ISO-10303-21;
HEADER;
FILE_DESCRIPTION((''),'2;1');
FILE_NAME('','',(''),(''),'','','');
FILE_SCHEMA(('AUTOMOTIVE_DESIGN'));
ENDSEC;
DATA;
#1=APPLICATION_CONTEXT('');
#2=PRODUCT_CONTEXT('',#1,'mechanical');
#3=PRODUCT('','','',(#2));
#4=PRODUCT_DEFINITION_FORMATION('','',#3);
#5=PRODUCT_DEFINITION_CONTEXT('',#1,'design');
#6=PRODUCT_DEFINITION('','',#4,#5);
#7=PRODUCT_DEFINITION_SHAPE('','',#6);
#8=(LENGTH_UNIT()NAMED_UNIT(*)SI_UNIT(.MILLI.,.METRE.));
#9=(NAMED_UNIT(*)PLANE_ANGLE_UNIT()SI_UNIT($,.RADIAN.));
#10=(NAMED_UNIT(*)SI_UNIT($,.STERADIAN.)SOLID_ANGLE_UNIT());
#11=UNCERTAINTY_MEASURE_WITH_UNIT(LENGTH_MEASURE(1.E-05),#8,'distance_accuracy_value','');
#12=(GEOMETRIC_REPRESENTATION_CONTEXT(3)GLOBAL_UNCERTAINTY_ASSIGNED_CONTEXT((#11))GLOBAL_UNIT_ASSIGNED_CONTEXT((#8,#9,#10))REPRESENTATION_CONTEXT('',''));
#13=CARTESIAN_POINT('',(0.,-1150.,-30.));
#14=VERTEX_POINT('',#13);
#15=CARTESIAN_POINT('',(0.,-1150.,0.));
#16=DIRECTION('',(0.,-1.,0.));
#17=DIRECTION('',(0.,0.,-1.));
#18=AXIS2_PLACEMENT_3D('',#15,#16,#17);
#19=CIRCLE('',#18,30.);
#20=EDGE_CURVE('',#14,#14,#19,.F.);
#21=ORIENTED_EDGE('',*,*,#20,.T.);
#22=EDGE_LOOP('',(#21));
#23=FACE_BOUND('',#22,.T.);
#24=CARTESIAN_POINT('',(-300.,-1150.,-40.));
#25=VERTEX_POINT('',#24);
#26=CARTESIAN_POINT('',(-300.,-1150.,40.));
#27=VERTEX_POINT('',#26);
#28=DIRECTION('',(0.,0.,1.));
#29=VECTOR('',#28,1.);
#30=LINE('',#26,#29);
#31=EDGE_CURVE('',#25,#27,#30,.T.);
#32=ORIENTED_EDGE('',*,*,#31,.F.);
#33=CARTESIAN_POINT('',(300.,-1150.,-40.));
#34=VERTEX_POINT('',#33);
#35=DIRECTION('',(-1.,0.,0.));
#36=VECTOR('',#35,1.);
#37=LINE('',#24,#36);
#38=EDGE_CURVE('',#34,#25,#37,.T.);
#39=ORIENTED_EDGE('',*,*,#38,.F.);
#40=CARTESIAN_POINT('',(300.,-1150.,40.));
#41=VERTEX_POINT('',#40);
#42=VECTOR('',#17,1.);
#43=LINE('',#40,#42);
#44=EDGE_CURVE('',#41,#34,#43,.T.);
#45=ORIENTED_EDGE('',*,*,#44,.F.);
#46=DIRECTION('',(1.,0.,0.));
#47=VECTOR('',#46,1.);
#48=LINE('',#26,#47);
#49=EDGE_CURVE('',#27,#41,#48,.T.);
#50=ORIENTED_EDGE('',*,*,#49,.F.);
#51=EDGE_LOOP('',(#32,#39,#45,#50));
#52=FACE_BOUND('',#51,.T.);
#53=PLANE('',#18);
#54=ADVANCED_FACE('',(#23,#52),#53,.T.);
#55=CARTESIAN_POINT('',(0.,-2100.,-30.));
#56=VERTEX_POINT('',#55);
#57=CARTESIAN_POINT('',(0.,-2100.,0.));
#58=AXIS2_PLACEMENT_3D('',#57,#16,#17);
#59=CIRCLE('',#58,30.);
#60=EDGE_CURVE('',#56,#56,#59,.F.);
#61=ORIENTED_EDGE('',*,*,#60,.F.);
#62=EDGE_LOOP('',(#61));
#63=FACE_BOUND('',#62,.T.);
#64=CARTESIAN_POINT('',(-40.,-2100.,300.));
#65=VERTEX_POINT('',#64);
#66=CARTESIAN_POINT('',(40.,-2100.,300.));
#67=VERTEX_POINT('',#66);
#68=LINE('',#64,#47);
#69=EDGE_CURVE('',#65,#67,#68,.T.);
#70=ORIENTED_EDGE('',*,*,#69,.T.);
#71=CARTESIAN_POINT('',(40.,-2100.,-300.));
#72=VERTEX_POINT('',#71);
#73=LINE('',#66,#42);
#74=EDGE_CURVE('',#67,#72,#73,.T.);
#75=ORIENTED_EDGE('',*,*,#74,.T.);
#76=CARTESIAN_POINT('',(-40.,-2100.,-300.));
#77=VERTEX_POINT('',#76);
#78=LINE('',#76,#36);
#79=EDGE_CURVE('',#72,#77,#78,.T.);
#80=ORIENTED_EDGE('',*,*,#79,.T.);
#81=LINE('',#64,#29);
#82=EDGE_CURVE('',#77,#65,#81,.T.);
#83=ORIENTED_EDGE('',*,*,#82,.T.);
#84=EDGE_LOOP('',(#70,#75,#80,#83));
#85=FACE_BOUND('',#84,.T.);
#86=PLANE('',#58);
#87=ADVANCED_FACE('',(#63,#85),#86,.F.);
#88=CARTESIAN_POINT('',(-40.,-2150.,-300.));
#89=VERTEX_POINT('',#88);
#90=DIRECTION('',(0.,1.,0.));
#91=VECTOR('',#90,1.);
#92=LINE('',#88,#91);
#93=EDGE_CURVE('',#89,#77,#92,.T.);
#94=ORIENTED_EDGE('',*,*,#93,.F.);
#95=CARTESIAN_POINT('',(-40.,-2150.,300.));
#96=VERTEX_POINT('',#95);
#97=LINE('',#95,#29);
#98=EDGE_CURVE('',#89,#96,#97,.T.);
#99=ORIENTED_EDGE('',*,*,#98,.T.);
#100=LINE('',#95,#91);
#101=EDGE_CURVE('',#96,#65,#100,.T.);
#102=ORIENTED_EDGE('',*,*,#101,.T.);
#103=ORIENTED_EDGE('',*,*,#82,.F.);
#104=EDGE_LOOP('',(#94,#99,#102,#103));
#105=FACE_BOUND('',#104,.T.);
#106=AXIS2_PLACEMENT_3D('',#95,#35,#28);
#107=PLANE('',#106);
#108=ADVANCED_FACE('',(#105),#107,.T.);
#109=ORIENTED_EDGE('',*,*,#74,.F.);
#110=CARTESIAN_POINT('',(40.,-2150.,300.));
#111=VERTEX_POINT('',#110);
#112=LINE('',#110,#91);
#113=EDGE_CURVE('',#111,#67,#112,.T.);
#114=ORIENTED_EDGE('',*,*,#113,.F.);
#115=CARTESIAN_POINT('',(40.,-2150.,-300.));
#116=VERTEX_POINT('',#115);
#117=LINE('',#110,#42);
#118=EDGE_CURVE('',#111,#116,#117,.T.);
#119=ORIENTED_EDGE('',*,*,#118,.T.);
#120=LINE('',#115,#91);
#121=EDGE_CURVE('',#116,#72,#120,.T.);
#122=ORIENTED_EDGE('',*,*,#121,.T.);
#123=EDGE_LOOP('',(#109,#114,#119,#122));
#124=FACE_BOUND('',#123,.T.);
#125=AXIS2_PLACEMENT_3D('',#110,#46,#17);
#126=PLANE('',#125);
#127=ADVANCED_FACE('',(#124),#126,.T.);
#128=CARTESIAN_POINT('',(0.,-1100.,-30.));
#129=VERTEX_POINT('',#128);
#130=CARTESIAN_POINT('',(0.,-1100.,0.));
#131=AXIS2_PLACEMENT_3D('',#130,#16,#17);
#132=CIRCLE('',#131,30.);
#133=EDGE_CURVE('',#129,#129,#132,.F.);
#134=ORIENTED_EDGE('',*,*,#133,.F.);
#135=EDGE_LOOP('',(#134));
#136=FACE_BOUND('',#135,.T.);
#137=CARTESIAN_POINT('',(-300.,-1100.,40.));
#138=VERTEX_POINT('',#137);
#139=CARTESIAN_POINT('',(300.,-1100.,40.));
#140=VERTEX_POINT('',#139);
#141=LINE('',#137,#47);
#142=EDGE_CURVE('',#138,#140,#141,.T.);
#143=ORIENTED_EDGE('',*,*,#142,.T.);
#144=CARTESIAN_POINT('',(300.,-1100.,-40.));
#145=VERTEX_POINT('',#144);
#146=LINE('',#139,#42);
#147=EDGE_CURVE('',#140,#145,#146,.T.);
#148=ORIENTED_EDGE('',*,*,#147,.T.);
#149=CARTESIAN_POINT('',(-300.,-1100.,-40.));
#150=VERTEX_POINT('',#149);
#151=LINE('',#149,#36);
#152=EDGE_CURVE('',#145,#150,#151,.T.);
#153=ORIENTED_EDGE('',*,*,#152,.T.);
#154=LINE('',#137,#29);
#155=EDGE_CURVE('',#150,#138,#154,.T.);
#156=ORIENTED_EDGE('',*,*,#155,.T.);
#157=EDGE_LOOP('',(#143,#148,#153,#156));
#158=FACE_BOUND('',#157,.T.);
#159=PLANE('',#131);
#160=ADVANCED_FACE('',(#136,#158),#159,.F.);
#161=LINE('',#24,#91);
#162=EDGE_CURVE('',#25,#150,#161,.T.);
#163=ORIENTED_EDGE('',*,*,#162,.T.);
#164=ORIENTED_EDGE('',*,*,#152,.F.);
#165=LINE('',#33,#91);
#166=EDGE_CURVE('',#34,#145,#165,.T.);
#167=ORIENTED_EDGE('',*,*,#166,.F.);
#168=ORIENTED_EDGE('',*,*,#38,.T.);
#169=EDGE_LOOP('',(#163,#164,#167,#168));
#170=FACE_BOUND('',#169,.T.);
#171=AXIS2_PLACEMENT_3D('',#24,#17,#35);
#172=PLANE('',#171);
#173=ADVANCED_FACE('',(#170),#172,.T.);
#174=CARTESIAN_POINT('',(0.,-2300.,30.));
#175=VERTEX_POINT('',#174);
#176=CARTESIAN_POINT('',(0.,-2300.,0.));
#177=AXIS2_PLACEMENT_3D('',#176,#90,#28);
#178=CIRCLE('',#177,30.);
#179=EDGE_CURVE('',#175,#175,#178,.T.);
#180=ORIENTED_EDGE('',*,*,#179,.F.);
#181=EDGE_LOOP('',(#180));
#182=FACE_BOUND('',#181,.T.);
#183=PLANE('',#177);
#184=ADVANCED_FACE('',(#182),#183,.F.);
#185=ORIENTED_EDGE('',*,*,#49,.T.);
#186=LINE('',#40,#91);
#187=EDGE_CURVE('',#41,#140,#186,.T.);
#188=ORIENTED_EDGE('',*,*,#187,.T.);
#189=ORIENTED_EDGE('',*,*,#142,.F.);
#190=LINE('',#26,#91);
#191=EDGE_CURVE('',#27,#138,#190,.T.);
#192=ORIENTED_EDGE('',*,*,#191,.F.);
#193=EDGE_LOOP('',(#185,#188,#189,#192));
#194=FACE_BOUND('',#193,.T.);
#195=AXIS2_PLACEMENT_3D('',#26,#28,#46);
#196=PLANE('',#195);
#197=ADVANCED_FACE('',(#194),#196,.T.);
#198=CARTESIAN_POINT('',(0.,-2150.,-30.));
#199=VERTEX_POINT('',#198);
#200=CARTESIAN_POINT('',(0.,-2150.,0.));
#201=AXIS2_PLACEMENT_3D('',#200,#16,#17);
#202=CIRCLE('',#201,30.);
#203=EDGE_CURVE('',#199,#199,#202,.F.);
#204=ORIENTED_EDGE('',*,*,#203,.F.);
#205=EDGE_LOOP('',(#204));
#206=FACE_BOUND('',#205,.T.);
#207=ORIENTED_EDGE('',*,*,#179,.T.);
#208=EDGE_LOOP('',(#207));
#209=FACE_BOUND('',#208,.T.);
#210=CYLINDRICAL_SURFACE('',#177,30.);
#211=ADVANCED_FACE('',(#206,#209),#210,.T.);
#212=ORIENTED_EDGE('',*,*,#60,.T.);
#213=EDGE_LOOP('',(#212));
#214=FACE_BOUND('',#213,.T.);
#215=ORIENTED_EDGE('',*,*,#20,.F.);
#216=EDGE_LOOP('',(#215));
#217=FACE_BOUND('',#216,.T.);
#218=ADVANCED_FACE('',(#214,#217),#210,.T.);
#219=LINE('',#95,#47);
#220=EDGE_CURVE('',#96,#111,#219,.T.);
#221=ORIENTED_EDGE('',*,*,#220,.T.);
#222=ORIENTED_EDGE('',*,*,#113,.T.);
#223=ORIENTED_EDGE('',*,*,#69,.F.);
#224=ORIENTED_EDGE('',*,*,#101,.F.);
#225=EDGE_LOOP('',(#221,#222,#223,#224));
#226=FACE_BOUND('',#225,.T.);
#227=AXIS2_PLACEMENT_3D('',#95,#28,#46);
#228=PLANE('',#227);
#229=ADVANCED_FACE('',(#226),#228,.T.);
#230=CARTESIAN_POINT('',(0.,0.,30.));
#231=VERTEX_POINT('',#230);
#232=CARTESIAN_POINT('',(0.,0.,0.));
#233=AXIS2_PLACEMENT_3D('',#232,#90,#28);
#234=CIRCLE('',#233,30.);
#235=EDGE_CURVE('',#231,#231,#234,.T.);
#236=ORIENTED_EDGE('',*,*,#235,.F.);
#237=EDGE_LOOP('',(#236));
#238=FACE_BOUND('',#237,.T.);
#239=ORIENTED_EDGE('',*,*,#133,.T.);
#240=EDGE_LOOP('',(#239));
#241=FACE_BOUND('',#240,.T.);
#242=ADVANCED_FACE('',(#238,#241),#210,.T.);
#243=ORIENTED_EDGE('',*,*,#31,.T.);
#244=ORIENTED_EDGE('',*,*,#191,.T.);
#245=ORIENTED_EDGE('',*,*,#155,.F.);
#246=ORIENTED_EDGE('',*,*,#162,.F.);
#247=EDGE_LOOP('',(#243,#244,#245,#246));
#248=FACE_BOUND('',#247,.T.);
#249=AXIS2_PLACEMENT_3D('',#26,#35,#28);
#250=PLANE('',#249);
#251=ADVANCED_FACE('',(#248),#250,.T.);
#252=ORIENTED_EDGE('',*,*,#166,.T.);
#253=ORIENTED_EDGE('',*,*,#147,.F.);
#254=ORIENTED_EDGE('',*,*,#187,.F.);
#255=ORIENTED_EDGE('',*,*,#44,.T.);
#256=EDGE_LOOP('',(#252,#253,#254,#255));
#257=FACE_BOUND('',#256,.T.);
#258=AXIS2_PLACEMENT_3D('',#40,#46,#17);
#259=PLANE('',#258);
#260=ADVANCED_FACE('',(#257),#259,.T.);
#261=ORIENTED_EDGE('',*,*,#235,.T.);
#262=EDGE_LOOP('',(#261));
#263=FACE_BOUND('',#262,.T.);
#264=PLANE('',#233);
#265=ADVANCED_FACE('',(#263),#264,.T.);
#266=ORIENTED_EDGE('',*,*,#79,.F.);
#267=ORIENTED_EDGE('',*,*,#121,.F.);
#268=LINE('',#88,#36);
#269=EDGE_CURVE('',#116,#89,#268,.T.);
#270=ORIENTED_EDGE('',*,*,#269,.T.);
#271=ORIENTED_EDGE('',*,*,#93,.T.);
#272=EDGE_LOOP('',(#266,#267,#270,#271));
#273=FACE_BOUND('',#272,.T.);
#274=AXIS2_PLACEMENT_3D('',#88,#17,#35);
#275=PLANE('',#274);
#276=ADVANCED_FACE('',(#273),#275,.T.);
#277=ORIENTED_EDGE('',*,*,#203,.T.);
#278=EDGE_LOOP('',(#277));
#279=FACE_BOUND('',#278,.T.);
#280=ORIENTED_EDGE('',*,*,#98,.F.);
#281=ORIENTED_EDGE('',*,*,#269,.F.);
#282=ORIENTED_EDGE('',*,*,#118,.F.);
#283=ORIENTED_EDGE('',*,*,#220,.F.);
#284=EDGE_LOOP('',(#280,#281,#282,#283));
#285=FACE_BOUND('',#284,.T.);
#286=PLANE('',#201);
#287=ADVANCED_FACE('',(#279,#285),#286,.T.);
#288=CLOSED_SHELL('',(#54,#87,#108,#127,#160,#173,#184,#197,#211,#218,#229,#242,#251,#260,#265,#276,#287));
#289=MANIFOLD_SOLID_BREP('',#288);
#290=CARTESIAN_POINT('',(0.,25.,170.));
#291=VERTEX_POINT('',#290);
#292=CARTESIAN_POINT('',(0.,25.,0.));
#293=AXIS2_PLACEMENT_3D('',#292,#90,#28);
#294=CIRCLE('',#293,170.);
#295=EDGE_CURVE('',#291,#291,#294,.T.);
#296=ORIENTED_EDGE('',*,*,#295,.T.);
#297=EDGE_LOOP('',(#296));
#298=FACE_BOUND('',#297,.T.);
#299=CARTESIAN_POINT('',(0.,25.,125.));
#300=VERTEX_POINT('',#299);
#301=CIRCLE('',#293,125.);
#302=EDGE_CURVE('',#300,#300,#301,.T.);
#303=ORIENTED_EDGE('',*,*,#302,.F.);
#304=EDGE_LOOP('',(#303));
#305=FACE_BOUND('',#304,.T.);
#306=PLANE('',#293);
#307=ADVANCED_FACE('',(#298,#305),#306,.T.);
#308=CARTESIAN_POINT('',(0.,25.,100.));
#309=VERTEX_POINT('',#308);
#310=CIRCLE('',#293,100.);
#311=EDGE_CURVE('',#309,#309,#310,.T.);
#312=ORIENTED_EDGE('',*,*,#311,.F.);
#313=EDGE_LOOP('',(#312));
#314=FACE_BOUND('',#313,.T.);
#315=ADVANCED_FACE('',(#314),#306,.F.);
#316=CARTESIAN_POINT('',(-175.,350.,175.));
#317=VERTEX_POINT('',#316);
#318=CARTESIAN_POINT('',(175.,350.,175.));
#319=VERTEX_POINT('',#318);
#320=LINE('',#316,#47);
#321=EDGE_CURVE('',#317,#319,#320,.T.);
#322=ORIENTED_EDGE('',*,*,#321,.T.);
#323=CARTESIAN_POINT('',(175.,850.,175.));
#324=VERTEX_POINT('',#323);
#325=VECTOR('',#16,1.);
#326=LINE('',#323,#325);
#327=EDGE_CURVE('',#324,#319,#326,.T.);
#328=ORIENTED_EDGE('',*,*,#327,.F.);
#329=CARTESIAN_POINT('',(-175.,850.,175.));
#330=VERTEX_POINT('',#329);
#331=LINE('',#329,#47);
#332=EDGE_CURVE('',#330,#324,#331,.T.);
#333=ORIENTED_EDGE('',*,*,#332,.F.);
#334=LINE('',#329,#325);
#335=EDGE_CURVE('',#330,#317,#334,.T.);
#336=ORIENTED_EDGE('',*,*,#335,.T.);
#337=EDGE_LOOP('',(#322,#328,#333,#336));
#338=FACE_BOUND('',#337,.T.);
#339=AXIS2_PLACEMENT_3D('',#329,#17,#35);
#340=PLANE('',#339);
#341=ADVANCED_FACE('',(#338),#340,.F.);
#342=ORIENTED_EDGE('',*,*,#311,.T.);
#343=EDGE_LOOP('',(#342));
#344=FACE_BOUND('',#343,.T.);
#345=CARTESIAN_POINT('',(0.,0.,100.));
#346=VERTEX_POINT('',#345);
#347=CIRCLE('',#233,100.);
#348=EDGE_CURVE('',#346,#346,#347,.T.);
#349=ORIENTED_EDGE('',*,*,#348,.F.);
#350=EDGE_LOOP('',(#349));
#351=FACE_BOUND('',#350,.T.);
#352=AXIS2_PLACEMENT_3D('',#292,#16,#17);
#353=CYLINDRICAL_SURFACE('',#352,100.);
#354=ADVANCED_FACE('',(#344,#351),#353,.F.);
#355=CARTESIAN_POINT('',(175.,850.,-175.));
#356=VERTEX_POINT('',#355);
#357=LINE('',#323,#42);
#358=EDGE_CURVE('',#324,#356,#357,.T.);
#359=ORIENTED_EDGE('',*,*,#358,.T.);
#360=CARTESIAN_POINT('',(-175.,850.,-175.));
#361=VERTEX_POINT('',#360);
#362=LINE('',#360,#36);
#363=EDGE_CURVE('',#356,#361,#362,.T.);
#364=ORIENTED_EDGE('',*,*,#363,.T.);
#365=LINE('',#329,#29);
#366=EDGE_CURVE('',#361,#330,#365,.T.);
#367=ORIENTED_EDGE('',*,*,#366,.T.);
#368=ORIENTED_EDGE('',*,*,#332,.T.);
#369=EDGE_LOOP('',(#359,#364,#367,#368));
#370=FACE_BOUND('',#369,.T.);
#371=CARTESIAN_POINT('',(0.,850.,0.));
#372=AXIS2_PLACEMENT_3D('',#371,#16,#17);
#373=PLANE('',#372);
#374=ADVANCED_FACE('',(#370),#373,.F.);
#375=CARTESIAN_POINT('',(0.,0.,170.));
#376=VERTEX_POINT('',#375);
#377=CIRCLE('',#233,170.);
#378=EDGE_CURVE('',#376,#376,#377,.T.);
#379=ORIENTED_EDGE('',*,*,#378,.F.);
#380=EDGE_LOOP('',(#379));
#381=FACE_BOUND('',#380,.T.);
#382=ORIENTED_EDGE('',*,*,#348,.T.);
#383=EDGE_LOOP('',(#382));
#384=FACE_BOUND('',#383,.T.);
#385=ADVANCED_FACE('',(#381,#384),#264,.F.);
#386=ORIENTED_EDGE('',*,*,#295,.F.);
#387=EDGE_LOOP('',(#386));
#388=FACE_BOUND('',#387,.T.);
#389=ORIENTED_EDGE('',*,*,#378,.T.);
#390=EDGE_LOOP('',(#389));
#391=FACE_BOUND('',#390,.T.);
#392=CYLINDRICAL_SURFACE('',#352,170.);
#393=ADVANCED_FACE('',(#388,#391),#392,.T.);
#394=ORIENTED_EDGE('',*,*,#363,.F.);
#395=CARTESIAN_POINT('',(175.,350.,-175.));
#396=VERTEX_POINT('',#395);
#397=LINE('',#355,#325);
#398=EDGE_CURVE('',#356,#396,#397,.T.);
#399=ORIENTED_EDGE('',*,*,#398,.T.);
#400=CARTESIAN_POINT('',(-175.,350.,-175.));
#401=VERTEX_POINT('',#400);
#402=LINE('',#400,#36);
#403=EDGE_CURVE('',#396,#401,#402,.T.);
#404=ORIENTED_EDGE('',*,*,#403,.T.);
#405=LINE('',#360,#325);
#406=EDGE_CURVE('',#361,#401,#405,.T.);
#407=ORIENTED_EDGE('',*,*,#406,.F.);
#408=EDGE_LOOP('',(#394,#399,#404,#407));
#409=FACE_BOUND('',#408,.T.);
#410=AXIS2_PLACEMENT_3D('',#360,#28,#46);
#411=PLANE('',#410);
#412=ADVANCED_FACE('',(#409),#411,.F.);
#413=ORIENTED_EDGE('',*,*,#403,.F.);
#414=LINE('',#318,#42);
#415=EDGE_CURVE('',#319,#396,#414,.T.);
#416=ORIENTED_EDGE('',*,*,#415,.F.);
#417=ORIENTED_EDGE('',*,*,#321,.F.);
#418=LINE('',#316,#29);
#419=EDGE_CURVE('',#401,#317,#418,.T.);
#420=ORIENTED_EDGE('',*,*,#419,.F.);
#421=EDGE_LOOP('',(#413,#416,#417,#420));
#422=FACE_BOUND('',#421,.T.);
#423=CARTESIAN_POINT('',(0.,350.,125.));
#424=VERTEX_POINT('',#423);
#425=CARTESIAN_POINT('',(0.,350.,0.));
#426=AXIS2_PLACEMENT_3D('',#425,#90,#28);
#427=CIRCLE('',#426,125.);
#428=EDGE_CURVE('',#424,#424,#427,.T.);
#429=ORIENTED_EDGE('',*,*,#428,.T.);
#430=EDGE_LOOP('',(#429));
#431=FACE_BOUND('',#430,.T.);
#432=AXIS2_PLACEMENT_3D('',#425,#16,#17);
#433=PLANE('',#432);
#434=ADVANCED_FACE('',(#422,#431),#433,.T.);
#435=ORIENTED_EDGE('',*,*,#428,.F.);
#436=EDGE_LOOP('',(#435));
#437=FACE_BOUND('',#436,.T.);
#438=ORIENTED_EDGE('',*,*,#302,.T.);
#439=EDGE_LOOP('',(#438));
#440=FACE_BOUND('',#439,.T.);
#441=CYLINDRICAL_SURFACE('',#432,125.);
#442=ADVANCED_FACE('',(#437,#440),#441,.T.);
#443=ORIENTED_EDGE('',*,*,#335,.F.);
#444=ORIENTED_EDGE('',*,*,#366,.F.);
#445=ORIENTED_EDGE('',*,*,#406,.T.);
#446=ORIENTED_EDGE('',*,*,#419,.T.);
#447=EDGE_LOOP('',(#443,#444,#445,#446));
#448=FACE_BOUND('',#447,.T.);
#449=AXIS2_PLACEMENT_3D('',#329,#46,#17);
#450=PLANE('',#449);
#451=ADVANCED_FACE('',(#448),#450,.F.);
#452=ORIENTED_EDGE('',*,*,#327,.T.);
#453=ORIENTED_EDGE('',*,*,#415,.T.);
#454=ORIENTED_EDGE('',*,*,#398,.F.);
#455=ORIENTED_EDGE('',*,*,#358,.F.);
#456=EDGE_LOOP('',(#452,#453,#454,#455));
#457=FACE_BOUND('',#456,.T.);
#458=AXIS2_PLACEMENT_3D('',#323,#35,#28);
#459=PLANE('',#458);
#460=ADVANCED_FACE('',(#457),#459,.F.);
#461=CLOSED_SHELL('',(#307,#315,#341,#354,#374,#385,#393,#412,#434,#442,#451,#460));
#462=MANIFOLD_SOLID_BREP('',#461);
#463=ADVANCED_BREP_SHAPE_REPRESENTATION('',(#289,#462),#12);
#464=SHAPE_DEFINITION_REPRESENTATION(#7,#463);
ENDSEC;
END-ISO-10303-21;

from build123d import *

# Parameters (mm, degrees)
SKETCH1_R           = 170
SKETCH1_R_2         = 100
BOSS_EXTRUDE1_DEPTH = 25
BOSS_EXTRUDE2_START = 25
SKETCH2_R           = 125
BOSS_EXTRUDE2_DEPTH = 325
BOSS_EXTRUDE3_START = 350
SKETCH3_W           = 350
SKETCH3_H           = 350
BOSS_EXTRUDE3_DEPTH = 500
SKETCH4_R           = 30
BOSS_EXTRUDE4_DEPTH = 2300
BOSS_EXTRUDE5_START = -1100
SKETCH5_W           = 600
SKETCH5_H           = 80
BOSS_EXTRUDE5_DEPTH = 50
BOSS_EXTRUDE6_START = -2100
SKETCH6_W           = 80
SKETCH6_H           = 600
BOSS_EXTRUDE6_DEPTH = 50


with BuildPart() as part:
    # Sketch1 → Boss-Extrude1 (new body)
    with BuildSketch(Plane(origin=(0, 0, 0), x_dir=(1, 0, 0), z_dir=(0, 1, 0))):
        with Locations(Location((0, 0, 0), (0, 0, 270))):
            Circle(SKETCH1_R)
        with Locations(Location((0, 0, 0), (0, 0, 270))):
            Circle(SKETCH1_R_2, mode=Mode.SUBTRACT)
    extrude(amount=BOSS_EXTRUDE1_DEPTH)

    # Sketch2 → Boss-Extrude2 (add)
    with BuildSketch(Plane(origin=(0, 0, 0), x_dir=(1, 0, 0), z_dir=(0, 1, 0)).offset(BOSS_EXTRUDE2_START)):
        with Locations(Location((0, 0, 0), (0, 0, 270))):
            Circle(SKETCH2_R)
    extrude(amount=BOSS_EXTRUDE2_DEPTH)

    # Sketch3 → Boss-Extrude3 (add)
    with BuildSketch(Plane(origin=(0, 0, 0), x_dir=(1, 0, 0), z_dir=(0, 1, 0)).offset(BOSS_EXTRUDE3_START)):
        Rectangle(SKETCH3_W, SKETCH3_H)
    extrude(amount=BOSS_EXTRUDE3_DEPTH)


with BuildPart() as body_2:
    # Sketch4 → Boss-Extrude4 (new body)
    with BuildSketch(Plane(origin=(0, 0, 0), x_dir=(1, 0, 0), z_dir=(0, 1, 0))):
        with Locations(Location((0, 0, 0), (0, 0, 270))):
            Circle(SKETCH4_R)
    extrude(amount=-BOSS_EXTRUDE4_DEPTH)

    # Sketch5 → Boss-Extrude5 (add)
    with BuildSketch(Plane(origin=(0, 0, 0), x_dir=(1, 0, 0), z_dir=(0, 1, 0)).offset(BOSS_EXTRUDE5_START)):
        Rectangle(SKETCH5_W, SKETCH5_H)
    extrude(amount=-BOSS_EXTRUDE5_DEPTH)

    # Sketch6 → Boss-Extrude6 (add)
    with BuildSketch(Plane(origin=(0, 0, 0), x_dir=(1, 0, 0), z_dir=(0, 1, 0)).offset(BOSS_EXTRUDE6_START)):
        Rectangle(SKETCH6_W, SKETCH6_H)
    extrude(amount=-BOSS_EXTRUDE6_DEPTH)


solid = Compound([part.part, body_2.part])
